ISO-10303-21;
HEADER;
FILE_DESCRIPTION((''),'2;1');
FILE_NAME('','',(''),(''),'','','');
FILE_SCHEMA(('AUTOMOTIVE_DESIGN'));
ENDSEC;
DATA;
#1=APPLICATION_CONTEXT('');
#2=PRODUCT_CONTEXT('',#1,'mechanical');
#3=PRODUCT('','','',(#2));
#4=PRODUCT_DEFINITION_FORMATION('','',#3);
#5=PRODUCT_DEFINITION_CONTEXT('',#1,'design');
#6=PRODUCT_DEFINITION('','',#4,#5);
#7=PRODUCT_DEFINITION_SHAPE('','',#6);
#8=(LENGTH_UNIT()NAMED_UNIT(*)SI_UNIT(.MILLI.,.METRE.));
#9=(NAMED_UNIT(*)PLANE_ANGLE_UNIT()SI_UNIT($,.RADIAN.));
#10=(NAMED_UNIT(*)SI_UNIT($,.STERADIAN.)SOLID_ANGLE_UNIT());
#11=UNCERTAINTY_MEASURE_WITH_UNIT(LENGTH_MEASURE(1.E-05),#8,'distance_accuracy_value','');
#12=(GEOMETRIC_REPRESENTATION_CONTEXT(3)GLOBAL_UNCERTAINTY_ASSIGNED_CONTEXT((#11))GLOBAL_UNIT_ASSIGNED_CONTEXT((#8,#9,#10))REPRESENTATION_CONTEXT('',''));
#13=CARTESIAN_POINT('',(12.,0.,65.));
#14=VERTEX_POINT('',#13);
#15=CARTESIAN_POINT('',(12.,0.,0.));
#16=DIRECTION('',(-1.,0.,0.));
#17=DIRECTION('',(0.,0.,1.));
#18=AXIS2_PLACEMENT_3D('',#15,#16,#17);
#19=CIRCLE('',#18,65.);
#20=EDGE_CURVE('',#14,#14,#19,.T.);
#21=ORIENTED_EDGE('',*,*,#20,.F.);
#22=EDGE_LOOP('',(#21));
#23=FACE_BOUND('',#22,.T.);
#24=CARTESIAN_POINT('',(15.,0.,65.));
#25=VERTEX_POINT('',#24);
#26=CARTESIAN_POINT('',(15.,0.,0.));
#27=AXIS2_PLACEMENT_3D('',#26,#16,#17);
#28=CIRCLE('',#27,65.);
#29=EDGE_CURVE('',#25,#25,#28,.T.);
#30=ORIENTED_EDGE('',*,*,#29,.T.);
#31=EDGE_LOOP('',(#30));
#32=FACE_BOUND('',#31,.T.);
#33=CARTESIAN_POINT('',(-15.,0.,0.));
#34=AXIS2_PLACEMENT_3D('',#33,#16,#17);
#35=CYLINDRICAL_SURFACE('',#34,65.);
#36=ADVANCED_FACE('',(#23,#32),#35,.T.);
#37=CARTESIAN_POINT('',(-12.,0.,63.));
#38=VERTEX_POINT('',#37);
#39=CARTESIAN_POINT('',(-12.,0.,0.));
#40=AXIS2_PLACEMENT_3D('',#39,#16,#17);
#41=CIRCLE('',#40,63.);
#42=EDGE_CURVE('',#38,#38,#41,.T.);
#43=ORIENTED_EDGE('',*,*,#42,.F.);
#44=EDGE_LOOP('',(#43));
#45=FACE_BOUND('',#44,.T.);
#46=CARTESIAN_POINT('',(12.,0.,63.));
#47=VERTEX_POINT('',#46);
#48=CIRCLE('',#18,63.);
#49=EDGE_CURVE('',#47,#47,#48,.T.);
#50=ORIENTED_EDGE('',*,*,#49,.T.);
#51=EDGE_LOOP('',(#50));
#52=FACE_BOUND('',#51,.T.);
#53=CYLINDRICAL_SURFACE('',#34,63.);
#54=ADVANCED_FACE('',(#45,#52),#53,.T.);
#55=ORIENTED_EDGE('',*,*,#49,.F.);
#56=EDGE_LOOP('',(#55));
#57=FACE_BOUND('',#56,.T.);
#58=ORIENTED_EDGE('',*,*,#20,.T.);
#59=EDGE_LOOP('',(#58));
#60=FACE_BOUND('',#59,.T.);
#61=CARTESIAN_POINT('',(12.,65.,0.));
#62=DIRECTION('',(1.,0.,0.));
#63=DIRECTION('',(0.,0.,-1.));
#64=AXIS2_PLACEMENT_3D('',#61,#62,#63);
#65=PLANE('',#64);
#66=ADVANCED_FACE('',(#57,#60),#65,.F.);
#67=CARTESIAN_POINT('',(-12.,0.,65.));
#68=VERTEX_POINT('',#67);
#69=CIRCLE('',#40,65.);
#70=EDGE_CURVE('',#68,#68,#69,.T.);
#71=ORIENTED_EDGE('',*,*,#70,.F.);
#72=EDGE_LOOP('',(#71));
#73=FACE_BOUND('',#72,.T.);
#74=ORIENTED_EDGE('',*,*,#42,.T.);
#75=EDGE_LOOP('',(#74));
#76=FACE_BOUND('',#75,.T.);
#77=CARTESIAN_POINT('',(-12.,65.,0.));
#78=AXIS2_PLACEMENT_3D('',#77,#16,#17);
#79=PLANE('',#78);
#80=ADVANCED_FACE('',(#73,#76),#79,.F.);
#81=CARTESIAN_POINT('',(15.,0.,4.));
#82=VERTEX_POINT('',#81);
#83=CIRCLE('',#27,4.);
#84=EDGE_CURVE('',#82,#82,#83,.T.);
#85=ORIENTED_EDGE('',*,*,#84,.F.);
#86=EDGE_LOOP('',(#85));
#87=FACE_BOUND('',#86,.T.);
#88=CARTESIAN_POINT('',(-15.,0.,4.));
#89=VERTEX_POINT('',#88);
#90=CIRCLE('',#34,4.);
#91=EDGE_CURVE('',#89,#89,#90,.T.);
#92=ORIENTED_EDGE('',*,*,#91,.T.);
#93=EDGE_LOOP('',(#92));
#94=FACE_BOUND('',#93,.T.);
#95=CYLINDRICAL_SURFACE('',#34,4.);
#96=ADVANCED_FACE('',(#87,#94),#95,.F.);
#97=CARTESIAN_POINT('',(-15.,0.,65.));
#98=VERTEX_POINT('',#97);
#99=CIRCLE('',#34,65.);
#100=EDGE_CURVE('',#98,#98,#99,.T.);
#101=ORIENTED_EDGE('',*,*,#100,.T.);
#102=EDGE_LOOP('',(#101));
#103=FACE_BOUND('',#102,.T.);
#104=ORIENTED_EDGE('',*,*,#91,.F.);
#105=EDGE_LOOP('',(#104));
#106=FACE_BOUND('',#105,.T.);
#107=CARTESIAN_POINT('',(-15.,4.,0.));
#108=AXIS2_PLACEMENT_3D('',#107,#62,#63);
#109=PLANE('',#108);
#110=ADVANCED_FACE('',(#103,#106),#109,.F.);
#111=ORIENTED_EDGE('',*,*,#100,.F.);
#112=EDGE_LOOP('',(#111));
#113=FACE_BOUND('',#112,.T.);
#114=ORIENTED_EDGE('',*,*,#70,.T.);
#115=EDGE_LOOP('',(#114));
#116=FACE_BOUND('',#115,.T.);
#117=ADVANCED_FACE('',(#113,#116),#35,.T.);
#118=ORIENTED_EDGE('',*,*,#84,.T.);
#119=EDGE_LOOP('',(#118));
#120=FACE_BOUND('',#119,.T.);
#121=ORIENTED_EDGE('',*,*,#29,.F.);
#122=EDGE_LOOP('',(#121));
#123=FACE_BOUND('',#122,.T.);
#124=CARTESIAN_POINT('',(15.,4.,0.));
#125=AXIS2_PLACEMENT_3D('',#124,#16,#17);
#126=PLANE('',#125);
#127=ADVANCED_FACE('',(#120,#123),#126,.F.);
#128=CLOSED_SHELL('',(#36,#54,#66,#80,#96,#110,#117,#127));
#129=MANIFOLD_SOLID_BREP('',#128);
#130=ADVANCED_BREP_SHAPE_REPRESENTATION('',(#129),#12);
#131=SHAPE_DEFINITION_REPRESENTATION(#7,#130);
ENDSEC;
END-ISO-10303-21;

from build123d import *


with BuildPart() as part:
    # Sketch1 → Revolve1 (revolve)
    with BuildSketch(Plane.XY):
        Polygon((12, 65), (15, 65), (15, 4), (-15, 4), (-15, 65), (-12, 65), (-12, 63), (12, 63), align=None)
    revolve(axis=Axis((-15, 0, 0), (1, 0, 0)))


solid = part.part
